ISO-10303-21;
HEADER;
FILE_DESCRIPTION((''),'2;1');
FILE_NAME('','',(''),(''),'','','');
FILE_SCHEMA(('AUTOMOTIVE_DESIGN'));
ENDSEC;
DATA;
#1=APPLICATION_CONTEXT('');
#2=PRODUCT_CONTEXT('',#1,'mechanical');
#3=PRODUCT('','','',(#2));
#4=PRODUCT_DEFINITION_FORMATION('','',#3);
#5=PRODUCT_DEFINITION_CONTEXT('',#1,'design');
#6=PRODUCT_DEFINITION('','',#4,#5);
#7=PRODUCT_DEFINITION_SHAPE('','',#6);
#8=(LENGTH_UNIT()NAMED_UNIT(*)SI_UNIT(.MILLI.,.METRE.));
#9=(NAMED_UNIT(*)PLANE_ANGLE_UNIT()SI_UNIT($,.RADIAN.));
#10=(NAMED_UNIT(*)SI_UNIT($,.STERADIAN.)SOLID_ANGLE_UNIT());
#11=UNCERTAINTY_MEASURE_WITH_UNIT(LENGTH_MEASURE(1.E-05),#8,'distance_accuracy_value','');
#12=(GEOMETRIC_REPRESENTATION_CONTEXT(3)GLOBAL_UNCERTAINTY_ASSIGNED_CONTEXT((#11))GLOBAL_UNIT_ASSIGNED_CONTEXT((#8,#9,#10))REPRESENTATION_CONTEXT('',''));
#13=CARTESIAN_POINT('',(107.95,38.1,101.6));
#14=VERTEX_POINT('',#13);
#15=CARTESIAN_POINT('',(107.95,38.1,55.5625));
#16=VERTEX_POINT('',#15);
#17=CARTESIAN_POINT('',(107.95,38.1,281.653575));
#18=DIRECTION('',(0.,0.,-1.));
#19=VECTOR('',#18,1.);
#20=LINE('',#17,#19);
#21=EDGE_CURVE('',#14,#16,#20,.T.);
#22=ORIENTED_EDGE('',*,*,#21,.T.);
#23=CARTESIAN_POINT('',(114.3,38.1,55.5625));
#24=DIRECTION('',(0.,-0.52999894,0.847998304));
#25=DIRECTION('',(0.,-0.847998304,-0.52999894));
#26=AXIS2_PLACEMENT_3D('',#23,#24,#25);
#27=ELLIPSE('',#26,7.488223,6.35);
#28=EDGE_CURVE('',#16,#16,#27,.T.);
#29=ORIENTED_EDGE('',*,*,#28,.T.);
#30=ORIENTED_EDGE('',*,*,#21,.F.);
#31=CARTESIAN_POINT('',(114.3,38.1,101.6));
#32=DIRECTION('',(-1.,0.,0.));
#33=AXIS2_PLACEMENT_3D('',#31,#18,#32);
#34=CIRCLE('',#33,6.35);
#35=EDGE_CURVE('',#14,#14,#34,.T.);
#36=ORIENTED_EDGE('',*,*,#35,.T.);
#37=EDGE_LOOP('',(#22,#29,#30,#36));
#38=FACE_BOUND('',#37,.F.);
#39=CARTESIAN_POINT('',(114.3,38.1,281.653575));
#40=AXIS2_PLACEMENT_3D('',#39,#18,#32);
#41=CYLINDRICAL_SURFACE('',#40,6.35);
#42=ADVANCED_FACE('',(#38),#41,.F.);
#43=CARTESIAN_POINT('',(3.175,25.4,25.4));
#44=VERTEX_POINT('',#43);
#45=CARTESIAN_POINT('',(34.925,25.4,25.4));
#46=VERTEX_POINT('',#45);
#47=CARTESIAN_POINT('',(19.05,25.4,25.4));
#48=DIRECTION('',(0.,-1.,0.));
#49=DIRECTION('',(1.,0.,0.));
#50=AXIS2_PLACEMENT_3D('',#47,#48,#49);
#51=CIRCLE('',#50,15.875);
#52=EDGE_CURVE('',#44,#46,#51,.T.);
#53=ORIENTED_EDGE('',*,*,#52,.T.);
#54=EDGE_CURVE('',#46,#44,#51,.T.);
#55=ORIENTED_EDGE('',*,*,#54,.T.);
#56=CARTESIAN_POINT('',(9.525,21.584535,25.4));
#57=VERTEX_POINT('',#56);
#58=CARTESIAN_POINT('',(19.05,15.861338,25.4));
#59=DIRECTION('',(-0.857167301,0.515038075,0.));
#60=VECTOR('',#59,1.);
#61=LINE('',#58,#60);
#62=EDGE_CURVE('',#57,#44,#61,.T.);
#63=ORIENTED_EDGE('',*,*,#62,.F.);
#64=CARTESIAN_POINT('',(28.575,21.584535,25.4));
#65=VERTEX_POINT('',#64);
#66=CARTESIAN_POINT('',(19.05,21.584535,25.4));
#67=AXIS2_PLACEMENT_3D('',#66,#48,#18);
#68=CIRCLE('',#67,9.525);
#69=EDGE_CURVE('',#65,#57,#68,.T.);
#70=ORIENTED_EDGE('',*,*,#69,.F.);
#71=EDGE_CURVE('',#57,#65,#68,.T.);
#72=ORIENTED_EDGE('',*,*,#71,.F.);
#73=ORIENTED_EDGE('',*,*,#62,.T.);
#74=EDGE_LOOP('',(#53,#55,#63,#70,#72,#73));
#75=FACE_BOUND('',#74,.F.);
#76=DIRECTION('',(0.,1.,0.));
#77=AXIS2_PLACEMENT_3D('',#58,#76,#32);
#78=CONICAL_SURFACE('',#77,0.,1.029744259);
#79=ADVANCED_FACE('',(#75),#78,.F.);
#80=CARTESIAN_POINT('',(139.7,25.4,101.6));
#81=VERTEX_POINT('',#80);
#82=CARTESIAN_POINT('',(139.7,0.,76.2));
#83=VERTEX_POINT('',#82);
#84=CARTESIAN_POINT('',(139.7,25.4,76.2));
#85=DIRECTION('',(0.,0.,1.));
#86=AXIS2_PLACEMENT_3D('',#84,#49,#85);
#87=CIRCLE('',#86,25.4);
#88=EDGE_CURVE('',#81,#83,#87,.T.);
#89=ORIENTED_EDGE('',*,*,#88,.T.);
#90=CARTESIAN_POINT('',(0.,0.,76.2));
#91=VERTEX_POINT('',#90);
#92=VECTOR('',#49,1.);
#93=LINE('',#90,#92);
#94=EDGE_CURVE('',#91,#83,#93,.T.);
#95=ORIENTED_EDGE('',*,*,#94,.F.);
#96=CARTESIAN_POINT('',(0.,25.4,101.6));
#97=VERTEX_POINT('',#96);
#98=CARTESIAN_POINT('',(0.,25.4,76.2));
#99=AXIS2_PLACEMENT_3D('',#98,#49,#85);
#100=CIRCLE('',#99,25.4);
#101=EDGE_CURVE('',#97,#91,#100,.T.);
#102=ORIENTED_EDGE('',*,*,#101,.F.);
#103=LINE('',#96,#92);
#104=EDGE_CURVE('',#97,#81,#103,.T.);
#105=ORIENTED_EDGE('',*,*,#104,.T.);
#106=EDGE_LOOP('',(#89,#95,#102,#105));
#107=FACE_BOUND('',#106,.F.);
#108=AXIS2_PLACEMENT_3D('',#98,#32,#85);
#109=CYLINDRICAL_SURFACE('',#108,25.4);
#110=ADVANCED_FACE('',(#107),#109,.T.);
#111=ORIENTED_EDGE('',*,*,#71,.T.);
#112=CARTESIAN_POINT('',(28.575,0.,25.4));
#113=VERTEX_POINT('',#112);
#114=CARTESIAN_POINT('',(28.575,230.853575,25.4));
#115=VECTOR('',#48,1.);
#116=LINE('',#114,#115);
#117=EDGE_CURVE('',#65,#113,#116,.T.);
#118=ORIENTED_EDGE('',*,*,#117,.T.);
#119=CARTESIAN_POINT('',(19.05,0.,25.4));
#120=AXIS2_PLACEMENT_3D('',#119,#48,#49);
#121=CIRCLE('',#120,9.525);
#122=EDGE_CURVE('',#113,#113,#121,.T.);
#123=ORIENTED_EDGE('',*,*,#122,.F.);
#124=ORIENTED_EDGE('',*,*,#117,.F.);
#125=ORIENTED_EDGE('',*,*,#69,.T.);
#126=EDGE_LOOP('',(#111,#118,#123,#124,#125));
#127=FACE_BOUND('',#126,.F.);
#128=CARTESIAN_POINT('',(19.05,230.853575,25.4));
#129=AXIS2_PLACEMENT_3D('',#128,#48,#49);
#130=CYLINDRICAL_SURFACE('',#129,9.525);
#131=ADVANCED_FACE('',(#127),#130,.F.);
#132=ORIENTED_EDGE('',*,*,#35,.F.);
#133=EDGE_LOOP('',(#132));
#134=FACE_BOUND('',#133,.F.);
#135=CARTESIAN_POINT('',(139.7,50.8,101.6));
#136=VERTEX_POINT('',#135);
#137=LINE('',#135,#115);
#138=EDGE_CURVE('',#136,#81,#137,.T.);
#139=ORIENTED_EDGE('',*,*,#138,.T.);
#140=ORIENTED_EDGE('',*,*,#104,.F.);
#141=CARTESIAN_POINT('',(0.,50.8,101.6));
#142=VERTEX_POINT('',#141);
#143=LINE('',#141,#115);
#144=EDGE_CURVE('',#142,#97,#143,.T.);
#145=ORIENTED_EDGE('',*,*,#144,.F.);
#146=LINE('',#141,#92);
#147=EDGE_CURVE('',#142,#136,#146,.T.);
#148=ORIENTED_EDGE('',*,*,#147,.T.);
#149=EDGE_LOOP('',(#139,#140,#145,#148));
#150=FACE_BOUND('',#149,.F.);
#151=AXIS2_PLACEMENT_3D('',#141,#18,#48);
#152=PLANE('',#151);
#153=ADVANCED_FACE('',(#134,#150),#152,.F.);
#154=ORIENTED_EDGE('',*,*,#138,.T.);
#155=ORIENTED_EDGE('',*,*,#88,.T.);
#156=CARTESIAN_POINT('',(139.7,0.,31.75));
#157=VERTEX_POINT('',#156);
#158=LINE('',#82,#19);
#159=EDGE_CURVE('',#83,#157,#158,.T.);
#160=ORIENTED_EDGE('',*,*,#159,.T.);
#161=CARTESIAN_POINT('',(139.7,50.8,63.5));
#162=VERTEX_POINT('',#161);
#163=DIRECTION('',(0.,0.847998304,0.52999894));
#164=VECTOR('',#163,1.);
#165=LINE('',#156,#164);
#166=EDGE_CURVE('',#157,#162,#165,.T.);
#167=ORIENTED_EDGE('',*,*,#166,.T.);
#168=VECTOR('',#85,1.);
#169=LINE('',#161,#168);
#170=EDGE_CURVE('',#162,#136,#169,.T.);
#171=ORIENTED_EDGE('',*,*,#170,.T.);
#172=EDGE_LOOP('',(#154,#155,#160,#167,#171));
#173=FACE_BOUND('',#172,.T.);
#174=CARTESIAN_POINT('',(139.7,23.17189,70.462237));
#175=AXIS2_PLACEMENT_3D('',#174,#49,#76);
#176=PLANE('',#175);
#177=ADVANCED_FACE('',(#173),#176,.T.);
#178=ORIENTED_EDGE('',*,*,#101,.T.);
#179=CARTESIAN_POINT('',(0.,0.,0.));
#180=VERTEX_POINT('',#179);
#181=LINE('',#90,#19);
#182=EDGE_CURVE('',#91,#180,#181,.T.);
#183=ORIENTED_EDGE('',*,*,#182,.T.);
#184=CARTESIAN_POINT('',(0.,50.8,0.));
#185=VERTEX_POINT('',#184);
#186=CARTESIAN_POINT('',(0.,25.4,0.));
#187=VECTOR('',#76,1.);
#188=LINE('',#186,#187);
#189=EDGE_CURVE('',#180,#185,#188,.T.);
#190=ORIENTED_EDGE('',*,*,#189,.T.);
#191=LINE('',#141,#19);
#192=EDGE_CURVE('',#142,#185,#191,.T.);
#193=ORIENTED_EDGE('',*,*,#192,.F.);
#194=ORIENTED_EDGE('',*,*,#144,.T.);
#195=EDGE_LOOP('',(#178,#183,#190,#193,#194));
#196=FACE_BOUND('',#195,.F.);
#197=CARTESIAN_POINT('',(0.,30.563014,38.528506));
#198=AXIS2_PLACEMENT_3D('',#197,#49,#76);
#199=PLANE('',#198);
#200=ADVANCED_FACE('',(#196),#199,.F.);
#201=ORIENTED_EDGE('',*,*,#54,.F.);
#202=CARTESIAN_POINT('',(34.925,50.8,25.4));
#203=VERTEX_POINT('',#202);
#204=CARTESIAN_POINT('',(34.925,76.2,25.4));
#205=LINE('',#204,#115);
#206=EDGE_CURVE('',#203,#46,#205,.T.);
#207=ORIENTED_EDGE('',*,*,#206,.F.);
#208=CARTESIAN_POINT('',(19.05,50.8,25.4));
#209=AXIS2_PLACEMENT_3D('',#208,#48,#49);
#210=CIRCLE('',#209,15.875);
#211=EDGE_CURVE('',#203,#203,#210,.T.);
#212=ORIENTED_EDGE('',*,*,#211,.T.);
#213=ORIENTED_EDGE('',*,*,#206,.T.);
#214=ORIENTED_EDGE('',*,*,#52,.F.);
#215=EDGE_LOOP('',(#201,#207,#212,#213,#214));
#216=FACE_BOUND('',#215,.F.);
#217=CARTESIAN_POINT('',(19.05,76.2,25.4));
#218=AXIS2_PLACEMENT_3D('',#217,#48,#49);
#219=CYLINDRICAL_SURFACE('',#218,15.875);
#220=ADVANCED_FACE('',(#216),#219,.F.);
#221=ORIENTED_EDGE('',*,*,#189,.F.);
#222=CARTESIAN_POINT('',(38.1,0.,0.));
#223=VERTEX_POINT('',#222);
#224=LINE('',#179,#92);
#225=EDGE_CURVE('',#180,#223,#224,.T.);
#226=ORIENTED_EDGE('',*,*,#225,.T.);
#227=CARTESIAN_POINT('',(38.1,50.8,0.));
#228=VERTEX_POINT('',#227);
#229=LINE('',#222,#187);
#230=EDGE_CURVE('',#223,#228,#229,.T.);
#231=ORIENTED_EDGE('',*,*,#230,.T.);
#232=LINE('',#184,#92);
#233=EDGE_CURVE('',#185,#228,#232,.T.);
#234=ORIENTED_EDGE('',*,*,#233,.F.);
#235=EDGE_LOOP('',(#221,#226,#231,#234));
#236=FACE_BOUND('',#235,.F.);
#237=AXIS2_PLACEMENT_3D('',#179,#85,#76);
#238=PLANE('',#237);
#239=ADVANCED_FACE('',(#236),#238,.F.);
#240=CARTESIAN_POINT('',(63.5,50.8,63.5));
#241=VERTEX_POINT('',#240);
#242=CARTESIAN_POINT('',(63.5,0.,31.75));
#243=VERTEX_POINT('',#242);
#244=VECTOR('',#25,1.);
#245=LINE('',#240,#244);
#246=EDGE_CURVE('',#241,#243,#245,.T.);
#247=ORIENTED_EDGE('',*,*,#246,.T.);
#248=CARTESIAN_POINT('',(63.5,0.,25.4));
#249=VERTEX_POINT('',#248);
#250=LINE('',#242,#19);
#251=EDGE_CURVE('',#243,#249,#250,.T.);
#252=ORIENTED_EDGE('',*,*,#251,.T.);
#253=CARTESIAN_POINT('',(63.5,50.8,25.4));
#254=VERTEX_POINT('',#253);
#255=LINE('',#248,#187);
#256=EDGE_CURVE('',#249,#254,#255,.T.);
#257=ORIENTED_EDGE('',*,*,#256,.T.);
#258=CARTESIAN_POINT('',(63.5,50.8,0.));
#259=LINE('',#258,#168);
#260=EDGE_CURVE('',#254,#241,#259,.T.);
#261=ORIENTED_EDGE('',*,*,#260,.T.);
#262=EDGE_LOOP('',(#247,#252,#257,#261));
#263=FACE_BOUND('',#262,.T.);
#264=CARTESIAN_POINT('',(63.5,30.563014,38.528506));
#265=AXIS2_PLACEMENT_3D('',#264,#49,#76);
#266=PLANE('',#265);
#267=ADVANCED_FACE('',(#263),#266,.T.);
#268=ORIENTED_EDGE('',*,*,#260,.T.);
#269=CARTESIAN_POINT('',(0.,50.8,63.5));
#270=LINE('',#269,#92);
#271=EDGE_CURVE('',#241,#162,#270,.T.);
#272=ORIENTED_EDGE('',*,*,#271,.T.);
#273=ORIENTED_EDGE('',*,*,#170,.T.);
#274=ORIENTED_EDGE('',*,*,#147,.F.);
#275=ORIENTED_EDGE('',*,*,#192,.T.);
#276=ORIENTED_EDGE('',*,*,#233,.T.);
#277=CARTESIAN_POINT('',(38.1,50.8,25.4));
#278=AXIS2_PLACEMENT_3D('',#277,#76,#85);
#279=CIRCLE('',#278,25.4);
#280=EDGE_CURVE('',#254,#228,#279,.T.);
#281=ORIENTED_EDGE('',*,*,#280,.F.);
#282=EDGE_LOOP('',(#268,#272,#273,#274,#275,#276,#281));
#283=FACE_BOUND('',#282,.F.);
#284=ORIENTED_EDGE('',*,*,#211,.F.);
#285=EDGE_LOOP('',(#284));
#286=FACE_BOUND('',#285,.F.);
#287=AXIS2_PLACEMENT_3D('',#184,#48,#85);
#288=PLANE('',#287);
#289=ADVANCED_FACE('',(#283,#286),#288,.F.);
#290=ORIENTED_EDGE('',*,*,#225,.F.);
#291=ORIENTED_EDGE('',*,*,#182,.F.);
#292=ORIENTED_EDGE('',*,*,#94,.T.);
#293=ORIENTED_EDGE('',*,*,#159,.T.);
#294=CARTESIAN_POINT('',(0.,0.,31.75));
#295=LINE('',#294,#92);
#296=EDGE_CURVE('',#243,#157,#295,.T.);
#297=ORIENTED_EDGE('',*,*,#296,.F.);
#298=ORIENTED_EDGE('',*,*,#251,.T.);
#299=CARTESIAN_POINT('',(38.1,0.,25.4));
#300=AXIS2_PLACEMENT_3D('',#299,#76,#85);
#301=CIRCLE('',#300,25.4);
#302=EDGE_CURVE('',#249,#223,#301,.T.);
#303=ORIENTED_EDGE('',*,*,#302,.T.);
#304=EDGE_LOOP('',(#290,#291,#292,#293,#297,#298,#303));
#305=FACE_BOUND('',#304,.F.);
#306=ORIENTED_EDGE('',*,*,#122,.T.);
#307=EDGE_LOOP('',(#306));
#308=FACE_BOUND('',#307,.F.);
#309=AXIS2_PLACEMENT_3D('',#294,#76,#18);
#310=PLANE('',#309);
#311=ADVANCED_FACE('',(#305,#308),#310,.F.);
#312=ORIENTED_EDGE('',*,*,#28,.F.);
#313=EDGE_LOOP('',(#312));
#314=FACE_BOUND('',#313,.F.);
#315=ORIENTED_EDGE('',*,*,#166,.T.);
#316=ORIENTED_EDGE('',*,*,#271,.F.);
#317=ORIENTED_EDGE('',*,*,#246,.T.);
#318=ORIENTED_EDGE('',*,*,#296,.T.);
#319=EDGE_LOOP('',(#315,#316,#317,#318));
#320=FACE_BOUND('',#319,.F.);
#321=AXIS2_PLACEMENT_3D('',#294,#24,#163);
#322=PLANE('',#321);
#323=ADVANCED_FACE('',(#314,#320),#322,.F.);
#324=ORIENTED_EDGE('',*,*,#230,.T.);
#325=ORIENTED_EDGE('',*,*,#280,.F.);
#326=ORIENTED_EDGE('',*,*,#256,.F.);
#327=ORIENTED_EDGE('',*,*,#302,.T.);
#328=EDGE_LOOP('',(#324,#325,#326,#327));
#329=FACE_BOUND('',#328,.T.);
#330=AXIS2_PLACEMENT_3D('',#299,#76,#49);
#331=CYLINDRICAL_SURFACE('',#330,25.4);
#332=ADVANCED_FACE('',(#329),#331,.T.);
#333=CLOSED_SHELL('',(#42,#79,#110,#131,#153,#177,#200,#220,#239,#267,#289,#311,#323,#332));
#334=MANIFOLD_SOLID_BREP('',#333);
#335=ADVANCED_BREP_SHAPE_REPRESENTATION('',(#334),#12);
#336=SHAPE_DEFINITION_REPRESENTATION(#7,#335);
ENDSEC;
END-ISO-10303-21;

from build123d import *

# Parameters (mm, degrees)
F1_DEPTH = 139.7
F0_W     = 50.8
F0_H     = 24.8791221529
F2_DEPTH = 63.5
F3_R     = 25.4
F5_D     = 19.05
F6_D     = 31.75
F6_DEPTH = 25.4
F6_TIP   = 9.5386623271
F8_D     = 12.7


with BuildPart() as f1:
    # F0 (on Right) → F1 (new body)
    with BuildSketch(Plane.YZ):
        with BuildLine():
            Line((0, 63.5), (0, 31.75))
            Line((0, 31.75), (50.8, 63.5))
            Line((50.8, 63.5), (50.8, 101.6))
            Line((50.8, 101.6), (25.4, 101.6))
            ThreePointArc((25.4, 101.6), (7.4394877579, 94.1605122421), (0, 76.2))
            Line((0, 76.2), (0, 63.5))
        make_face()
    extrude(amount=F1_DEPTH)

    # F0 (on Right) → F2 (join)
    with BuildSketch(Plane.YZ):
        Polygon((0, 31.75), (0, 24.8791221529), (50.8, 24.8791221529), (50.8, 63.5), align=None)
        with Locations((25.4, 12.4395610765)):
            Rectangle(F0_W, F0_H)
    extrude(amount=F2_DEPTH)

    # F3
    f3_edges = [f1.edges().sort_by_distance(p)[0] for p in [
        (63.5, 25.4, 0),
    ]]
    fillet(f3_edges, radius=F3_R)

    # F5 (through all)
    with Locations(Plane(origin=(0, 50.8, 0), x_dir=(-1, 0, 0), z_dir=(0, 1, 0))):
        with Locations((-19.05, 25.4)):
            Hole(F5_D / 2)

    # F6
    with Locations(Plane(origin=(0, 50.8, 0), x_dir=(-1, 0, 0), z_dir=(0, 1, 0))):
        with Locations((-19.05, 25.4)):
            Hole(F6_D / 2, depth=F6_DEPTH)
            with Locations((0, 0, -(F6_DEPTH + F6_TIP / 2))):  # 118° drill point
                Cone(0, F6_D / 2, F6_TIP, mode=Mode.SUBTRACT)

    # F8 (through all)
    with Locations(Plane.XY.offset(101.6)):
        with Locations((114.3, 38.1)):
            Hole(F8_D / 2)


solid = f1.part
